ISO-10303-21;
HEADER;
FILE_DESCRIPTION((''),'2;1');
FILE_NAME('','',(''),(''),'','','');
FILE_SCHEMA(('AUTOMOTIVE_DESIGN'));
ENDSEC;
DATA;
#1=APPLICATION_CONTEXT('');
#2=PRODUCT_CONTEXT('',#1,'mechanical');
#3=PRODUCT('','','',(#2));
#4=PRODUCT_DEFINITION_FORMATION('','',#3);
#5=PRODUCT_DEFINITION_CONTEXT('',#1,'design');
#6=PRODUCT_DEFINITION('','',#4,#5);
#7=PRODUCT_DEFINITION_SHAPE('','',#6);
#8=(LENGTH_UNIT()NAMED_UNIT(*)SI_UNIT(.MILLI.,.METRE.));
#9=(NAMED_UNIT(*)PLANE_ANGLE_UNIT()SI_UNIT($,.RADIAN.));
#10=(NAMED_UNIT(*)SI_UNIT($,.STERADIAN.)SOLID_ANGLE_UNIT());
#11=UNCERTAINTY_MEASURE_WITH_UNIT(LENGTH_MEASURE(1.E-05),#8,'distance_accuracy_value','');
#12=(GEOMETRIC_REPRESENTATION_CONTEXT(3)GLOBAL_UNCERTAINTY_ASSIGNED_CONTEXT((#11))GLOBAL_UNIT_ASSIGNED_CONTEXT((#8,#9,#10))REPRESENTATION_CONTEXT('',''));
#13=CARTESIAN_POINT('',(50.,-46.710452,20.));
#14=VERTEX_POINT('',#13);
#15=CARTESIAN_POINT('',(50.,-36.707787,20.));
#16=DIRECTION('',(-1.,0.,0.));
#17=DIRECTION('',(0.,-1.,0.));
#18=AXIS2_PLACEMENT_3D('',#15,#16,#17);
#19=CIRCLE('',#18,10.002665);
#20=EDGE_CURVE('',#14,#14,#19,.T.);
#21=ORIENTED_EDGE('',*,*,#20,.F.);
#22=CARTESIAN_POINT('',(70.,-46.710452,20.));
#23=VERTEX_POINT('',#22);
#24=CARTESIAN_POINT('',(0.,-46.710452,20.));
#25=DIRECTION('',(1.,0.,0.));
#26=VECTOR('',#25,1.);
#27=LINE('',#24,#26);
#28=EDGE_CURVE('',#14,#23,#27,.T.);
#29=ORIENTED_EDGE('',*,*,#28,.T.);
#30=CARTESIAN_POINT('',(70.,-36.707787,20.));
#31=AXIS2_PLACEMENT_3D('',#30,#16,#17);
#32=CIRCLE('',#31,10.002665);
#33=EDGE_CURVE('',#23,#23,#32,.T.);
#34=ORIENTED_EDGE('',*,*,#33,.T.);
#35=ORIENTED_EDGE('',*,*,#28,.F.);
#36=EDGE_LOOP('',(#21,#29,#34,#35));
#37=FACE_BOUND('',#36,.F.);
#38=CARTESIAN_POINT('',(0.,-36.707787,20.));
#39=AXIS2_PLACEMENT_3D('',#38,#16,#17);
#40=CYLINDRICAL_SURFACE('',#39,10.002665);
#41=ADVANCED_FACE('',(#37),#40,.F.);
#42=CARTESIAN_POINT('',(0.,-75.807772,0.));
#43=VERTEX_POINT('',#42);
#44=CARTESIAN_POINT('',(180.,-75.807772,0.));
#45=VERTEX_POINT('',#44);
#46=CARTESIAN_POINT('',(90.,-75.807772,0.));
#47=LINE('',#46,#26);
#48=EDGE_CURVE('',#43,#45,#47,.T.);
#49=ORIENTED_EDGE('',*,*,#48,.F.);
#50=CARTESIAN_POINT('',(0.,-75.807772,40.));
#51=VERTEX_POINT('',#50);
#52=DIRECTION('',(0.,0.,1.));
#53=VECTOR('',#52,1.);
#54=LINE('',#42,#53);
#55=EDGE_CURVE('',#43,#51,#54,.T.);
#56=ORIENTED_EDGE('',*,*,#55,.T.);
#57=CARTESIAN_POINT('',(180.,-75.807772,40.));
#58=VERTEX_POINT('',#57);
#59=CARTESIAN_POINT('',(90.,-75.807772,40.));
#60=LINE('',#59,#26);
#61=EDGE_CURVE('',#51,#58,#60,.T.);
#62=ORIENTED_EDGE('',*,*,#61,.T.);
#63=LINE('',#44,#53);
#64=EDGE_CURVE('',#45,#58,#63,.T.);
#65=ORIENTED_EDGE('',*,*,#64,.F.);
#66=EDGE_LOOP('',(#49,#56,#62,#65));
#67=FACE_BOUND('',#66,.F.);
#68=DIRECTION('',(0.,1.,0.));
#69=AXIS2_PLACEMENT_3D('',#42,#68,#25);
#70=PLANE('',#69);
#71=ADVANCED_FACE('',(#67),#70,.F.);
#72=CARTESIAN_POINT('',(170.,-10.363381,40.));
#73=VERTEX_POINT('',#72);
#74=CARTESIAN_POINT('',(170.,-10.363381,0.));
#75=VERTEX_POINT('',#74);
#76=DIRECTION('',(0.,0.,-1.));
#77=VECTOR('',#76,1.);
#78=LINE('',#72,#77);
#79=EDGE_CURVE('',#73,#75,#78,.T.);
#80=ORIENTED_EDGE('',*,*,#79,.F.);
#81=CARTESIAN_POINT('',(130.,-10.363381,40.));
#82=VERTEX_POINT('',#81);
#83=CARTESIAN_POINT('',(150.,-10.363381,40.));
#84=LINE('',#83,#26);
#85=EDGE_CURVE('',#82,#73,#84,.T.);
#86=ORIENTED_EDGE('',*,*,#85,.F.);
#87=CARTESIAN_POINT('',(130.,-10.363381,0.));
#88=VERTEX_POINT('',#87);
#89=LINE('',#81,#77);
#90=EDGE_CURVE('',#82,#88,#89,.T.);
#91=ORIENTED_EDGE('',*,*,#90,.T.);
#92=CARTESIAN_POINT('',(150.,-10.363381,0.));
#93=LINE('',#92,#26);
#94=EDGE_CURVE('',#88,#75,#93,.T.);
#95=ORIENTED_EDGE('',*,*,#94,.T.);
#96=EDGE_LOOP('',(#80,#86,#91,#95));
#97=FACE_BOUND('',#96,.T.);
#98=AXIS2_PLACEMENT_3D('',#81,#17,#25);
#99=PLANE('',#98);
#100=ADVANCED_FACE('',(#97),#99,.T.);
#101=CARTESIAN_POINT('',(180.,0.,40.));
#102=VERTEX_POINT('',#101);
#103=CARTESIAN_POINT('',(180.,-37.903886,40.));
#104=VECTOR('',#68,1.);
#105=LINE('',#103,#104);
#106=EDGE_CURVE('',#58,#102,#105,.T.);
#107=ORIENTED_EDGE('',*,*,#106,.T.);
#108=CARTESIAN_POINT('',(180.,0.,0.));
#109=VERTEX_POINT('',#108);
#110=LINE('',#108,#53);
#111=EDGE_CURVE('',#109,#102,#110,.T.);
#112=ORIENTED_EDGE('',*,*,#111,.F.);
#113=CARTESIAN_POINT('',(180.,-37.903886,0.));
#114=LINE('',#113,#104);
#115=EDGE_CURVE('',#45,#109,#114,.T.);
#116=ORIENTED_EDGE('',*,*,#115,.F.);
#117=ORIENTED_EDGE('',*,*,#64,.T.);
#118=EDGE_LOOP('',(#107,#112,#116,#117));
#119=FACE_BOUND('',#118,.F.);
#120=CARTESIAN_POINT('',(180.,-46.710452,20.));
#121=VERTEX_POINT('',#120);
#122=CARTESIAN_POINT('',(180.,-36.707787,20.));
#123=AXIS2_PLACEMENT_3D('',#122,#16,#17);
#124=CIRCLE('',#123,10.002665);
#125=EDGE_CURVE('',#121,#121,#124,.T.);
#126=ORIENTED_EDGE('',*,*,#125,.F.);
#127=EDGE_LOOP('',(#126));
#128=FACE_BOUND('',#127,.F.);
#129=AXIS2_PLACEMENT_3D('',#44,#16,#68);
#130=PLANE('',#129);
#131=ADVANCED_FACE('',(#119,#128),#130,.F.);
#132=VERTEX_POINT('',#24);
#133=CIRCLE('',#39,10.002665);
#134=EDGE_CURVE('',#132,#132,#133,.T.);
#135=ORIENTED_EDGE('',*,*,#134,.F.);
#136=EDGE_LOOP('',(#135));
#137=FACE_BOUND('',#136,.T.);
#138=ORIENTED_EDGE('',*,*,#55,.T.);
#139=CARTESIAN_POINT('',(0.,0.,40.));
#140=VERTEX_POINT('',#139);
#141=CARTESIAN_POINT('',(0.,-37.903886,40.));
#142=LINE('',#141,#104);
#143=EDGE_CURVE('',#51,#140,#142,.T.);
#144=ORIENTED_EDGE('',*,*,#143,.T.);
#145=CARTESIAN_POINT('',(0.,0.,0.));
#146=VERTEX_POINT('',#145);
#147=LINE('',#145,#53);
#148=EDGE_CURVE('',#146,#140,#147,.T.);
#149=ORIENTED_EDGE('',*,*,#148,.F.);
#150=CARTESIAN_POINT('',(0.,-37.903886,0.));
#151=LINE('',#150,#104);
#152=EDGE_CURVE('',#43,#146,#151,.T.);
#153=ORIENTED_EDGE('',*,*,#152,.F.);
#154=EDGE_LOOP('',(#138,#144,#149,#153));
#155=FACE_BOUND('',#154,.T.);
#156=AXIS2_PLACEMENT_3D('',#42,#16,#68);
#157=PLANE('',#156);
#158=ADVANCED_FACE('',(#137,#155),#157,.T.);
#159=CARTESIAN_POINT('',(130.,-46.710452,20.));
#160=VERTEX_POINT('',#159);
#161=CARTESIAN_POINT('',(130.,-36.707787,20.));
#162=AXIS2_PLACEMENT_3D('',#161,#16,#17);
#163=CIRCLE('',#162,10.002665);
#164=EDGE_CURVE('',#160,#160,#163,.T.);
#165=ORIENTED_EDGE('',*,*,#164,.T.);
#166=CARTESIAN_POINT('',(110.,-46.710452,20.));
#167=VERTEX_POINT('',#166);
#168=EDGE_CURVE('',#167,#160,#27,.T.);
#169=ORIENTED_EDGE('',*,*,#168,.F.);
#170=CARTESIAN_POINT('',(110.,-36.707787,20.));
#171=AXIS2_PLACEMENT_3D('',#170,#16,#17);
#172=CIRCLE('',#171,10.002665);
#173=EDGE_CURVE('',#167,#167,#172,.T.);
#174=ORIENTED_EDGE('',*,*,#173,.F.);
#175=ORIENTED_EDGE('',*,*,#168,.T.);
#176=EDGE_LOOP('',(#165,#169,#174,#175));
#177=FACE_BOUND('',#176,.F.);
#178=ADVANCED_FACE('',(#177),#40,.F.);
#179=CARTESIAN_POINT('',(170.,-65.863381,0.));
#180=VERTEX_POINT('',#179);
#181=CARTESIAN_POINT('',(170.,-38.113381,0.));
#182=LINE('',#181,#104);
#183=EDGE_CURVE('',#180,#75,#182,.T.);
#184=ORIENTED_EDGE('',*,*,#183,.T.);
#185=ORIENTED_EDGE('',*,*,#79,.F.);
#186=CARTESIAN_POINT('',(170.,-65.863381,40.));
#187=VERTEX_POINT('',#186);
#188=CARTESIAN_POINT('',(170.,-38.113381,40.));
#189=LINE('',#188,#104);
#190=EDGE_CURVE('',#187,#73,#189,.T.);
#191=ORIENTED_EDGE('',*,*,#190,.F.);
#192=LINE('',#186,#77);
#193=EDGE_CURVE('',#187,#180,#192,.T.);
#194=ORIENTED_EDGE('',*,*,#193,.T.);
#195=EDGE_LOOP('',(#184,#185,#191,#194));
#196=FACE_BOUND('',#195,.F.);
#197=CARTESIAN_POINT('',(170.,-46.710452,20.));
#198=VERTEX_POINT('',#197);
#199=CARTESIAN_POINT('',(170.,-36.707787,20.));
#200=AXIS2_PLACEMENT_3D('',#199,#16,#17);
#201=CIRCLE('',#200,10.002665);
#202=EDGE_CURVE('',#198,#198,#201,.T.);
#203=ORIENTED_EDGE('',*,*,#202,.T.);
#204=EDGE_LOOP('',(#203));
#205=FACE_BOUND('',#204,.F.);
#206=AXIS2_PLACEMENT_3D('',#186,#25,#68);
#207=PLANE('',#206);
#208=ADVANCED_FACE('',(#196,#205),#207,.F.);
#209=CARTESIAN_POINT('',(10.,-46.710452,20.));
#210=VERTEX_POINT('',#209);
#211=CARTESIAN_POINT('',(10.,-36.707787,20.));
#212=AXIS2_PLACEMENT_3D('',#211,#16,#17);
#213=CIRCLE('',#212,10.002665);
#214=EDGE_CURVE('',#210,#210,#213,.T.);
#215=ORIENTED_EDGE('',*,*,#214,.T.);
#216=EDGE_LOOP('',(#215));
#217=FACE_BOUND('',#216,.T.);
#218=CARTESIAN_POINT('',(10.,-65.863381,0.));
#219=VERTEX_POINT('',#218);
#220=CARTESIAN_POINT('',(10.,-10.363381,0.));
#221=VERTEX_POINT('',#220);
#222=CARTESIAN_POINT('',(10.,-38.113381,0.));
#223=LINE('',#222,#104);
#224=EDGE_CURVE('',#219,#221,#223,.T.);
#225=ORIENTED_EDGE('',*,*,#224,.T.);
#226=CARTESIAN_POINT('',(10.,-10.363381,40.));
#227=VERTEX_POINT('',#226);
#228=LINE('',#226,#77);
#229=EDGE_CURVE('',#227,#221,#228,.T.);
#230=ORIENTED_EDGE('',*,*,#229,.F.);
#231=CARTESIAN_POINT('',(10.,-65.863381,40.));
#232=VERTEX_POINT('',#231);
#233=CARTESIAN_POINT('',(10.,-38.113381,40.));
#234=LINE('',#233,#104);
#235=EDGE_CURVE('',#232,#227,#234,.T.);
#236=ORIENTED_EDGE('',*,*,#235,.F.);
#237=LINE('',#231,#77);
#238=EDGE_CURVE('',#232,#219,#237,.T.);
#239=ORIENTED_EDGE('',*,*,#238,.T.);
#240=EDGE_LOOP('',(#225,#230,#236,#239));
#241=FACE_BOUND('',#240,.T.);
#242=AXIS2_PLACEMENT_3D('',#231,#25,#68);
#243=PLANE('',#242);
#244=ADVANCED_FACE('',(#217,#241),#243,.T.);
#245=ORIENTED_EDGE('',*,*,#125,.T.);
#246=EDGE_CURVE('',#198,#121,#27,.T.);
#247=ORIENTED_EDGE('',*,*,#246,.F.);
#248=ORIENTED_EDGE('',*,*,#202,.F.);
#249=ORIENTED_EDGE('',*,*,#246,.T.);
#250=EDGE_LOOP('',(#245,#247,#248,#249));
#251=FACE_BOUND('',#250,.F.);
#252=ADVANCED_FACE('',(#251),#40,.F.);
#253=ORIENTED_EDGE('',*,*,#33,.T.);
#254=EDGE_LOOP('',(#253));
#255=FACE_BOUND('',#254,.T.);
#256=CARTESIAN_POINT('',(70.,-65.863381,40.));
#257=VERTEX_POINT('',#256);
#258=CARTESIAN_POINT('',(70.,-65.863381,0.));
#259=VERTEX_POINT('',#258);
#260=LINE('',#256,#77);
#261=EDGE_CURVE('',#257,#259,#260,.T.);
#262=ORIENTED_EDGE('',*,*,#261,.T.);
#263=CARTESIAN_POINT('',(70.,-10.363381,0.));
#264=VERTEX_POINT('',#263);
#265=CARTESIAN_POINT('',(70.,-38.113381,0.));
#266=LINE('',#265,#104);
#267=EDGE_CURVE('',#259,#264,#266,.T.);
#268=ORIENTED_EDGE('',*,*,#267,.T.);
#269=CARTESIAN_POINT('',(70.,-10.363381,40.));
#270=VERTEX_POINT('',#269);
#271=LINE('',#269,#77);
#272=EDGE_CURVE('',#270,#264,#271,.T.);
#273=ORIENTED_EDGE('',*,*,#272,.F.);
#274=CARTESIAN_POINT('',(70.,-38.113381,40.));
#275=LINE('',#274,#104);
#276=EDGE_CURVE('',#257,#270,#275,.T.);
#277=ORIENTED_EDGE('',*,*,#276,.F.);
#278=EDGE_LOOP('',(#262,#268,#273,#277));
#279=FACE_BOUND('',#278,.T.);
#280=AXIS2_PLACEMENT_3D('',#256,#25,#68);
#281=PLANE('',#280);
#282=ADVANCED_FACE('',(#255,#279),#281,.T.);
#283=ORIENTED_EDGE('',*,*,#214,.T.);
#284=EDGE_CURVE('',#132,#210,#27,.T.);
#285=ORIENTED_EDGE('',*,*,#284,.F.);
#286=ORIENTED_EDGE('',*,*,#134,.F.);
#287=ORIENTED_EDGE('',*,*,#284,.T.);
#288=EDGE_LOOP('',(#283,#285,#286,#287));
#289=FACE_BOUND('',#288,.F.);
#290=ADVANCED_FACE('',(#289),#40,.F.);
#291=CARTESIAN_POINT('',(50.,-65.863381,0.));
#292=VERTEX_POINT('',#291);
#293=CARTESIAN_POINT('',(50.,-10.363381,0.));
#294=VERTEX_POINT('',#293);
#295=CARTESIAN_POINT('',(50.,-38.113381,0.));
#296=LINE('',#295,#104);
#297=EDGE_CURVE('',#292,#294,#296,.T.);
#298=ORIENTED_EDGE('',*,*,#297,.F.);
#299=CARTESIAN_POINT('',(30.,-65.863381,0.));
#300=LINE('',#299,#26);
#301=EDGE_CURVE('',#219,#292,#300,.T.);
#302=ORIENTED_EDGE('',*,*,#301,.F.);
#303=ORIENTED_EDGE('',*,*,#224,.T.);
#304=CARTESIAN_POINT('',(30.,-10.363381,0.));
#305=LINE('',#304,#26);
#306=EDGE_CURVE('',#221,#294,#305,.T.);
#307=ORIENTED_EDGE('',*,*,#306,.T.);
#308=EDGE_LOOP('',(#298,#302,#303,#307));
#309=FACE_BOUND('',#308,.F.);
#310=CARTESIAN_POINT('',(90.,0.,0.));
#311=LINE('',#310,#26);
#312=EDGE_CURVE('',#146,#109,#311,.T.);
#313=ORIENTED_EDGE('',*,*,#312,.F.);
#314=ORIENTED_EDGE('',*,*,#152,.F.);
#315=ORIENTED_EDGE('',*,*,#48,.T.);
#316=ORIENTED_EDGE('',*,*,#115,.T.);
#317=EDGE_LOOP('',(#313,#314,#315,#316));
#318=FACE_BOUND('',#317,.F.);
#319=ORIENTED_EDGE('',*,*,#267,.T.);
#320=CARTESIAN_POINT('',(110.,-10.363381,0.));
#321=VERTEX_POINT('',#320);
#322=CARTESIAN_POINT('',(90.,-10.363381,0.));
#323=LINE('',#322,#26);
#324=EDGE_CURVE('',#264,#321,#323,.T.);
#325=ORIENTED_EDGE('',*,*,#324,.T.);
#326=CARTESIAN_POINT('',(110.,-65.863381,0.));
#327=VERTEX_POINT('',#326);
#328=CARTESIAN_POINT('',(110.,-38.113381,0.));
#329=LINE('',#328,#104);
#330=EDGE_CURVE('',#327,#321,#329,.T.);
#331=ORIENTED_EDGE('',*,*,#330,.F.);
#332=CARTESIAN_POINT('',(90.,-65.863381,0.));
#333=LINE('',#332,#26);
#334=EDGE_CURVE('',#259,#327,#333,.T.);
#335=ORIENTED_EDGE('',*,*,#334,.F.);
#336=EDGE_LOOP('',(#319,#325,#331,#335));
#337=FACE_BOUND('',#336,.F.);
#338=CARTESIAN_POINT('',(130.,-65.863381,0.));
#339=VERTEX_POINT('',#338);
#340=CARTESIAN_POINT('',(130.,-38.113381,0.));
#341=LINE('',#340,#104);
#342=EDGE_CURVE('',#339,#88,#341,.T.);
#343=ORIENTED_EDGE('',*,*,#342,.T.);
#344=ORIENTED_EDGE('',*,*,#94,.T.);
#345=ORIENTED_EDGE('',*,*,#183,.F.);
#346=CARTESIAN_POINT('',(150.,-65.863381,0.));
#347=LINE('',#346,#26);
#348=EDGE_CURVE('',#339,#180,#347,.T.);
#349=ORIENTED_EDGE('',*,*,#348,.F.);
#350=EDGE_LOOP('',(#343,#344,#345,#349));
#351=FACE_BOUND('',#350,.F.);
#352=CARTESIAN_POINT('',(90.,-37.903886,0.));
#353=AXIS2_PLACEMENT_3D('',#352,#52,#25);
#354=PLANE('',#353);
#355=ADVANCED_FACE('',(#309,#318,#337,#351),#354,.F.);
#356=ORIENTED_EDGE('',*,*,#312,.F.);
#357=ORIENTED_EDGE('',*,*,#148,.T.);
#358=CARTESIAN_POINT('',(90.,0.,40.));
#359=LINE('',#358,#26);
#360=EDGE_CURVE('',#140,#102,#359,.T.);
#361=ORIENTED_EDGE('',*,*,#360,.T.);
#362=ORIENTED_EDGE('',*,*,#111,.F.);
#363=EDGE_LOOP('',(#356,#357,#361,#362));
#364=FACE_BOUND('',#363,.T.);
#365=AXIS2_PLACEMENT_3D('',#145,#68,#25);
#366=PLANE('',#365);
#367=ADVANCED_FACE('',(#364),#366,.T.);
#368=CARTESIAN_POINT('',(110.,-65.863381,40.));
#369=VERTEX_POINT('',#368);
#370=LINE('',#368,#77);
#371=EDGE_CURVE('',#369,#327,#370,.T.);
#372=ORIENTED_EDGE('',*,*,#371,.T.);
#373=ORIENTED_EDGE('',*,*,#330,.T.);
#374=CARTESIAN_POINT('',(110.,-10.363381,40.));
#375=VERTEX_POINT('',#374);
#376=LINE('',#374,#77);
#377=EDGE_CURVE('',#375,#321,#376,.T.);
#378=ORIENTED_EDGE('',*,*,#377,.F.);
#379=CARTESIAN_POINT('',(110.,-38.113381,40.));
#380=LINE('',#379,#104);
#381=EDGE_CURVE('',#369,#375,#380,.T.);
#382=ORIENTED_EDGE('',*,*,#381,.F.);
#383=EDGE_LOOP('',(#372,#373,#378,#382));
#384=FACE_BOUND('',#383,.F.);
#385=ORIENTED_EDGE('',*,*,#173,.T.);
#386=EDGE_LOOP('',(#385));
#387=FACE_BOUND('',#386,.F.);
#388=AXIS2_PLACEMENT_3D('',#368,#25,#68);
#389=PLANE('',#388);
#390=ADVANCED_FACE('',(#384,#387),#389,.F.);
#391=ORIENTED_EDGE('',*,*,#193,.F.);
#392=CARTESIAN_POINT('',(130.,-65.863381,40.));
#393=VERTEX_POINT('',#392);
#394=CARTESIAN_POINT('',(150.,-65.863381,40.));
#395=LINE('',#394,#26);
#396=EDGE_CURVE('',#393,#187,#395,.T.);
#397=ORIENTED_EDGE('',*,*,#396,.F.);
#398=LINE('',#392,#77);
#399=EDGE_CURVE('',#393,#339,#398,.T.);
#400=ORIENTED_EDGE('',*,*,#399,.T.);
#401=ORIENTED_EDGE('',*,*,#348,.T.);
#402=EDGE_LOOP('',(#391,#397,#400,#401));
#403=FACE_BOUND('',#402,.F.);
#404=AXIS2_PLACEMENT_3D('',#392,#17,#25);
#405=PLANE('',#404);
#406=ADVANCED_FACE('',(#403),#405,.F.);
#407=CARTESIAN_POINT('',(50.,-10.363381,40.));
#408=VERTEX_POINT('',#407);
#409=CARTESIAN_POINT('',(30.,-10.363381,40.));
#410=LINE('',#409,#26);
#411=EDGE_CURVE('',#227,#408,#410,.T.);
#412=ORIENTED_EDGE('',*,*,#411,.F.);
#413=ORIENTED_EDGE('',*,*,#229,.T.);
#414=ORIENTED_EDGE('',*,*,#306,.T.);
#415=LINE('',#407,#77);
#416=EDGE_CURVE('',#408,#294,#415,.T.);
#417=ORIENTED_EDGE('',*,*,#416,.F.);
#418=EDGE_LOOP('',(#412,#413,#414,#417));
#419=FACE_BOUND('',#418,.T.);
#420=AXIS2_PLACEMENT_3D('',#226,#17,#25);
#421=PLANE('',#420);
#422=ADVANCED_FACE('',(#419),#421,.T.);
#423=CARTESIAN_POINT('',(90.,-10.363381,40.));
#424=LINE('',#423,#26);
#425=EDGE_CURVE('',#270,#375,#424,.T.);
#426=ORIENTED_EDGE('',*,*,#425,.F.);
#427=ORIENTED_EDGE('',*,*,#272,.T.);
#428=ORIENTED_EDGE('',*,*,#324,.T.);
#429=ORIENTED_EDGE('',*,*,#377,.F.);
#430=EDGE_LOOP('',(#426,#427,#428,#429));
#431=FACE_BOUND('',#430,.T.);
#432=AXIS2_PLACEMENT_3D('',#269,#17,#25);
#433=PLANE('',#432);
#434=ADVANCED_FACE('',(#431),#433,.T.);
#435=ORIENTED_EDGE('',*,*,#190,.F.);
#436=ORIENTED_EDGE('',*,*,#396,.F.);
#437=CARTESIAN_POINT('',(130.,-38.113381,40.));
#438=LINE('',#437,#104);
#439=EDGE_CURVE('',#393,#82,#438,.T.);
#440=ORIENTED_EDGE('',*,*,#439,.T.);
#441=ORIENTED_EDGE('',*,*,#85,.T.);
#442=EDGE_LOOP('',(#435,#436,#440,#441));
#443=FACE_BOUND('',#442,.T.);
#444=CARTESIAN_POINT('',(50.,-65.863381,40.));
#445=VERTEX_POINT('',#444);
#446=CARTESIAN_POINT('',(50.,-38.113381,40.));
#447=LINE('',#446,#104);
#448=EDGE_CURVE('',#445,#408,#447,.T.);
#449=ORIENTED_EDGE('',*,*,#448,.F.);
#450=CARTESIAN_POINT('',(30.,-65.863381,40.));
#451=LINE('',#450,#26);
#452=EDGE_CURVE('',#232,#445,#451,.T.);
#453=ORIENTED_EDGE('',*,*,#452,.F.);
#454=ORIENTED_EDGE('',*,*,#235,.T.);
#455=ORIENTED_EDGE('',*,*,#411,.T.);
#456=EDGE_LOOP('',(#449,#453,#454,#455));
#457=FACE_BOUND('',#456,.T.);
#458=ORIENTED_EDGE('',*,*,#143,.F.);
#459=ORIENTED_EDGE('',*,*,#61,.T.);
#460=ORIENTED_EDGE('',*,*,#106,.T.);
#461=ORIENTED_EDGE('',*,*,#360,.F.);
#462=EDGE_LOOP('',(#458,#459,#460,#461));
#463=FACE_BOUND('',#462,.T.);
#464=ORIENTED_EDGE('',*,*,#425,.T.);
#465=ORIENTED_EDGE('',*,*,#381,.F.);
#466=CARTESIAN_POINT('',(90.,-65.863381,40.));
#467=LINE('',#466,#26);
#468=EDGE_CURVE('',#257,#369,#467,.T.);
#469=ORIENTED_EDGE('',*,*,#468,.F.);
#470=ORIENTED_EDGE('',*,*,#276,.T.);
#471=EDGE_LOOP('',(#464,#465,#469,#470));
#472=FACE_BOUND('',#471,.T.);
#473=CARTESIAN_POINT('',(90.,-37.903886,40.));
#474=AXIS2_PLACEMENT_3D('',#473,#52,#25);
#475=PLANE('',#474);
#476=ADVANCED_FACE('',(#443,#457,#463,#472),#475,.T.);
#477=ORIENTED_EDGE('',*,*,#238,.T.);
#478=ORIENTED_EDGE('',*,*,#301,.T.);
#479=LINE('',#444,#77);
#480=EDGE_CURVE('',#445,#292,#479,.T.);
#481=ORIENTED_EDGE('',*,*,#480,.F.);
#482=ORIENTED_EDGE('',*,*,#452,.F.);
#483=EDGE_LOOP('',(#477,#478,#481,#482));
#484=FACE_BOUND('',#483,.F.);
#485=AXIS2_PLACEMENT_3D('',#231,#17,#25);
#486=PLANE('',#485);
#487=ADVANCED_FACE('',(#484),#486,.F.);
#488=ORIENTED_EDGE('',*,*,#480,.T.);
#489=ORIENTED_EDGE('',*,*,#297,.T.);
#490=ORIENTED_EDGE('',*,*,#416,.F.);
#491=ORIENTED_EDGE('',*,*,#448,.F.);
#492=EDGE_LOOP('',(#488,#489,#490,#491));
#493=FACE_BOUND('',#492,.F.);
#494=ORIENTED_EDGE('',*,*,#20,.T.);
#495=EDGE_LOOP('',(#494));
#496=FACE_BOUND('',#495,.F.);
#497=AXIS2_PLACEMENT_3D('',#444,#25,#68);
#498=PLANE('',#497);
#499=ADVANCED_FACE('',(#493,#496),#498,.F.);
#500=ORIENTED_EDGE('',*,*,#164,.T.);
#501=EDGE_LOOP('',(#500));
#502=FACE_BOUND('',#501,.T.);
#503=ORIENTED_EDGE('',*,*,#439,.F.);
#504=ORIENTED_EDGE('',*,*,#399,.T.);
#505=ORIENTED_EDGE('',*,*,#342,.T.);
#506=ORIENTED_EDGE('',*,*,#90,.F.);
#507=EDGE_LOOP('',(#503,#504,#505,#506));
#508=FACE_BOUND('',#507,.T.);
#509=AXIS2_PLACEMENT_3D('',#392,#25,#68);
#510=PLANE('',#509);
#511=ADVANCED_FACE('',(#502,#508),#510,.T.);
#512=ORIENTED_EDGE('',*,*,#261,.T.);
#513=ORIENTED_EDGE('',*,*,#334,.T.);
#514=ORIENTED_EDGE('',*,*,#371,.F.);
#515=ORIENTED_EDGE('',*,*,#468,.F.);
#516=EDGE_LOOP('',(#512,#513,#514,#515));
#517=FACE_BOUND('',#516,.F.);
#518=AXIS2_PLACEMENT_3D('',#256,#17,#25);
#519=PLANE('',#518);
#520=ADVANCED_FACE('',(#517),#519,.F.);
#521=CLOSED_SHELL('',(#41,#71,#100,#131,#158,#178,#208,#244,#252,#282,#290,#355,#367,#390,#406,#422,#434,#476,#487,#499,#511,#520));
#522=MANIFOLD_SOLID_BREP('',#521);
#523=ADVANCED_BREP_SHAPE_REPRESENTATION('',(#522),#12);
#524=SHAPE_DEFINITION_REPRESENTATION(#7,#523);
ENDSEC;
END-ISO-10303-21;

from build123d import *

# Parameters (mm, degrees)
SKETCH_W        = 180
SKETCH_H        = 75.807773
PAD_DEPTH       = 40
SKETCH001_W     = 40
SKETCH001_H     = 55.5
POCKET_DEPTH    = 40
SKETCH002_R     = 10.002665
POCKET001_DEPTH = 257


with BuildPart() as part:
    # Sketch → Pad (new body)
    with BuildSketch(Plane.XY):
        with Locations((90, -37.903886)):
            Rectangle(SKETCH_W, SKETCH_H)
    extrude(amount=PAD_DEPTH)

    # Sketch001 (on Face6 of Pad) → Pocket (cut)
    with BuildSketch(Plane.XY.offset(40)):
        with Locations((30, -38.113381)):
            Rectangle(SKETCH001_W, SKETCH001_H)
        with Locations((90, -38.113381)):
            Rectangle(SKETCH001_W, SKETCH001_H)
        with Locations((150, -38.113381)):
            Rectangle(SKETCH001_W, SKETCH001_H)
    extrude(amount=-POCKET_DEPTH, mode=Mode.SUBTRACT)

    # Sketch002 (on Face2 of Pocket) → Pocket001 (cut)
    with BuildSketch(Plane(origin=(0, 0, 0), x_dir=(0, -1, 0), z_dir=(-1, 0, 0))):
        with Locations((36.707787, 20)):
            Circle(SKETCH002_R)
    extrude(amount=-POCKET001_DEPTH, mode=Mode.SUBTRACT)


solid = part.part
